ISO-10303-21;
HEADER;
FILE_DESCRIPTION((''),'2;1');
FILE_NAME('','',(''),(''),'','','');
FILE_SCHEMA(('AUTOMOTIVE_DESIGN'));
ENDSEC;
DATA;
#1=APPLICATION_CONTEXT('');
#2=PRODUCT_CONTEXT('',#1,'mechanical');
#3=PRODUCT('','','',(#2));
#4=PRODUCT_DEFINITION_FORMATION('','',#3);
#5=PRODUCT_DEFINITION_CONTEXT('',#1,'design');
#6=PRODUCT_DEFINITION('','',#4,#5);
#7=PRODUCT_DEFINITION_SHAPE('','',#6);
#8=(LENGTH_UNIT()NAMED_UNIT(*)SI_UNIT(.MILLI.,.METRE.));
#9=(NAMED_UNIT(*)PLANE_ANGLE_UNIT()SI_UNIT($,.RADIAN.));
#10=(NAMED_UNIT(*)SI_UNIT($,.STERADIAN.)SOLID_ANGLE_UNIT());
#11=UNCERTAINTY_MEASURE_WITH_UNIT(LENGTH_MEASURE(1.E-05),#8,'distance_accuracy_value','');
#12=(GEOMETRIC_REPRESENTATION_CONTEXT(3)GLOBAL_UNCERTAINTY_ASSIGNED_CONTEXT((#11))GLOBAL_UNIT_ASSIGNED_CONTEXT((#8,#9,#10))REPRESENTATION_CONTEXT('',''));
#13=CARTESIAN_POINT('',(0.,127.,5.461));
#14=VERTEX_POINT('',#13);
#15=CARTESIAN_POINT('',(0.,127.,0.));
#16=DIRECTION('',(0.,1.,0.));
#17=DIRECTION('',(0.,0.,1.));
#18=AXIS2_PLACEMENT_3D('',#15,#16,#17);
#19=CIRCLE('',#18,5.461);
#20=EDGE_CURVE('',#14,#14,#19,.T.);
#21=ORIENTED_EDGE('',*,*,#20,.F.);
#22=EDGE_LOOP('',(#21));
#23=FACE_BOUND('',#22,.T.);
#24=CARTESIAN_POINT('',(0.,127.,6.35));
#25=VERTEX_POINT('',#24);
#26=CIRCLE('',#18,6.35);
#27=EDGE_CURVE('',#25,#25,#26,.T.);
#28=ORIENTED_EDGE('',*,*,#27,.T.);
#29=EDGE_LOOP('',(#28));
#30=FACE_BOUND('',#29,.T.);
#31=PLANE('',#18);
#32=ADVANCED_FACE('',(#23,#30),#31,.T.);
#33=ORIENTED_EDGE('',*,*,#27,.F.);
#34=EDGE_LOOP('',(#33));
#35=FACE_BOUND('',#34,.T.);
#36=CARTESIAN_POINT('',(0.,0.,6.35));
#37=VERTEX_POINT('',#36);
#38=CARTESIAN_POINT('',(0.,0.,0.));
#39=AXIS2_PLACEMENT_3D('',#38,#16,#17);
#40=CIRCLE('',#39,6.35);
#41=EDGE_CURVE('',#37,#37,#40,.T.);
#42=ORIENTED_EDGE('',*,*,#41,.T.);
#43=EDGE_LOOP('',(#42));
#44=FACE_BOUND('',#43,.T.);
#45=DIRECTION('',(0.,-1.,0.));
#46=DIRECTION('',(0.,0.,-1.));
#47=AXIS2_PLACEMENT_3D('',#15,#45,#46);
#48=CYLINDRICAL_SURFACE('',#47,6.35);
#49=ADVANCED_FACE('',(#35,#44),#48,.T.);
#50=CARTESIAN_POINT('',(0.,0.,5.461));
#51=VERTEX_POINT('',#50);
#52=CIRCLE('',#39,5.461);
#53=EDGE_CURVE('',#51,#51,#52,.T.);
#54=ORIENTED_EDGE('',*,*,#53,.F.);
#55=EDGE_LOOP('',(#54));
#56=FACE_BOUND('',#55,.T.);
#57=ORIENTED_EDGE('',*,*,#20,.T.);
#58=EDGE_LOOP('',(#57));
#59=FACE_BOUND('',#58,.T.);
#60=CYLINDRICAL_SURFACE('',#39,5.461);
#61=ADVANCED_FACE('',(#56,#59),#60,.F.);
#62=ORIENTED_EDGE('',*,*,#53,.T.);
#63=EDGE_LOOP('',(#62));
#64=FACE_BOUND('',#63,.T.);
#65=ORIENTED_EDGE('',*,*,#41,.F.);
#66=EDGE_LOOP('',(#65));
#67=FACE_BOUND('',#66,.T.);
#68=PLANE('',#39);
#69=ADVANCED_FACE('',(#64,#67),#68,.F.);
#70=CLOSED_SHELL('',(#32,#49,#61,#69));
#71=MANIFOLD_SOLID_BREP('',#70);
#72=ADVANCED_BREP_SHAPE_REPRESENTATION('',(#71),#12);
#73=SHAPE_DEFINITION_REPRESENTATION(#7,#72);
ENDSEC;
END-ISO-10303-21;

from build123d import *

# Parameters (mm, degrees)
SKETCH1_R           = 6.35
BOSS_EXTRUDE1_DEPTH = 127
SKETCH2_R           = 5.461
CUT_EXTRUDE3_DEPTH  = 127


with BuildPart() as part:
    # Sketch1 → Boss-Extrude1 (new body)
    with BuildSketch(Plane(origin=(0, 0, 0), x_dir=(1, 0, 0), z_dir=(0, 1, 0))):
        with Locations(Location((0, 0, 0), (0, 0, 270))):
            Circle(SKETCH1_R)
    extrude(amount=BOSS_EXTRUDE1_DEPTH)

    # Sketch2 → Cut-Extrude3 (cut)
    with BuildSketch(Plane(origin=(0, 127, 0), x_dir=(1, 0, 0), z_dir=(0, 1, 0))):
        with Locations(Location((0, 0, 0), (0, 0, 270))):
            Circle(SKETCH2_R)
    extrude(amount=-CUT_EXTRUDE3_DEPTH, mode=Mode.SUBTRACT)


solid = part.part
